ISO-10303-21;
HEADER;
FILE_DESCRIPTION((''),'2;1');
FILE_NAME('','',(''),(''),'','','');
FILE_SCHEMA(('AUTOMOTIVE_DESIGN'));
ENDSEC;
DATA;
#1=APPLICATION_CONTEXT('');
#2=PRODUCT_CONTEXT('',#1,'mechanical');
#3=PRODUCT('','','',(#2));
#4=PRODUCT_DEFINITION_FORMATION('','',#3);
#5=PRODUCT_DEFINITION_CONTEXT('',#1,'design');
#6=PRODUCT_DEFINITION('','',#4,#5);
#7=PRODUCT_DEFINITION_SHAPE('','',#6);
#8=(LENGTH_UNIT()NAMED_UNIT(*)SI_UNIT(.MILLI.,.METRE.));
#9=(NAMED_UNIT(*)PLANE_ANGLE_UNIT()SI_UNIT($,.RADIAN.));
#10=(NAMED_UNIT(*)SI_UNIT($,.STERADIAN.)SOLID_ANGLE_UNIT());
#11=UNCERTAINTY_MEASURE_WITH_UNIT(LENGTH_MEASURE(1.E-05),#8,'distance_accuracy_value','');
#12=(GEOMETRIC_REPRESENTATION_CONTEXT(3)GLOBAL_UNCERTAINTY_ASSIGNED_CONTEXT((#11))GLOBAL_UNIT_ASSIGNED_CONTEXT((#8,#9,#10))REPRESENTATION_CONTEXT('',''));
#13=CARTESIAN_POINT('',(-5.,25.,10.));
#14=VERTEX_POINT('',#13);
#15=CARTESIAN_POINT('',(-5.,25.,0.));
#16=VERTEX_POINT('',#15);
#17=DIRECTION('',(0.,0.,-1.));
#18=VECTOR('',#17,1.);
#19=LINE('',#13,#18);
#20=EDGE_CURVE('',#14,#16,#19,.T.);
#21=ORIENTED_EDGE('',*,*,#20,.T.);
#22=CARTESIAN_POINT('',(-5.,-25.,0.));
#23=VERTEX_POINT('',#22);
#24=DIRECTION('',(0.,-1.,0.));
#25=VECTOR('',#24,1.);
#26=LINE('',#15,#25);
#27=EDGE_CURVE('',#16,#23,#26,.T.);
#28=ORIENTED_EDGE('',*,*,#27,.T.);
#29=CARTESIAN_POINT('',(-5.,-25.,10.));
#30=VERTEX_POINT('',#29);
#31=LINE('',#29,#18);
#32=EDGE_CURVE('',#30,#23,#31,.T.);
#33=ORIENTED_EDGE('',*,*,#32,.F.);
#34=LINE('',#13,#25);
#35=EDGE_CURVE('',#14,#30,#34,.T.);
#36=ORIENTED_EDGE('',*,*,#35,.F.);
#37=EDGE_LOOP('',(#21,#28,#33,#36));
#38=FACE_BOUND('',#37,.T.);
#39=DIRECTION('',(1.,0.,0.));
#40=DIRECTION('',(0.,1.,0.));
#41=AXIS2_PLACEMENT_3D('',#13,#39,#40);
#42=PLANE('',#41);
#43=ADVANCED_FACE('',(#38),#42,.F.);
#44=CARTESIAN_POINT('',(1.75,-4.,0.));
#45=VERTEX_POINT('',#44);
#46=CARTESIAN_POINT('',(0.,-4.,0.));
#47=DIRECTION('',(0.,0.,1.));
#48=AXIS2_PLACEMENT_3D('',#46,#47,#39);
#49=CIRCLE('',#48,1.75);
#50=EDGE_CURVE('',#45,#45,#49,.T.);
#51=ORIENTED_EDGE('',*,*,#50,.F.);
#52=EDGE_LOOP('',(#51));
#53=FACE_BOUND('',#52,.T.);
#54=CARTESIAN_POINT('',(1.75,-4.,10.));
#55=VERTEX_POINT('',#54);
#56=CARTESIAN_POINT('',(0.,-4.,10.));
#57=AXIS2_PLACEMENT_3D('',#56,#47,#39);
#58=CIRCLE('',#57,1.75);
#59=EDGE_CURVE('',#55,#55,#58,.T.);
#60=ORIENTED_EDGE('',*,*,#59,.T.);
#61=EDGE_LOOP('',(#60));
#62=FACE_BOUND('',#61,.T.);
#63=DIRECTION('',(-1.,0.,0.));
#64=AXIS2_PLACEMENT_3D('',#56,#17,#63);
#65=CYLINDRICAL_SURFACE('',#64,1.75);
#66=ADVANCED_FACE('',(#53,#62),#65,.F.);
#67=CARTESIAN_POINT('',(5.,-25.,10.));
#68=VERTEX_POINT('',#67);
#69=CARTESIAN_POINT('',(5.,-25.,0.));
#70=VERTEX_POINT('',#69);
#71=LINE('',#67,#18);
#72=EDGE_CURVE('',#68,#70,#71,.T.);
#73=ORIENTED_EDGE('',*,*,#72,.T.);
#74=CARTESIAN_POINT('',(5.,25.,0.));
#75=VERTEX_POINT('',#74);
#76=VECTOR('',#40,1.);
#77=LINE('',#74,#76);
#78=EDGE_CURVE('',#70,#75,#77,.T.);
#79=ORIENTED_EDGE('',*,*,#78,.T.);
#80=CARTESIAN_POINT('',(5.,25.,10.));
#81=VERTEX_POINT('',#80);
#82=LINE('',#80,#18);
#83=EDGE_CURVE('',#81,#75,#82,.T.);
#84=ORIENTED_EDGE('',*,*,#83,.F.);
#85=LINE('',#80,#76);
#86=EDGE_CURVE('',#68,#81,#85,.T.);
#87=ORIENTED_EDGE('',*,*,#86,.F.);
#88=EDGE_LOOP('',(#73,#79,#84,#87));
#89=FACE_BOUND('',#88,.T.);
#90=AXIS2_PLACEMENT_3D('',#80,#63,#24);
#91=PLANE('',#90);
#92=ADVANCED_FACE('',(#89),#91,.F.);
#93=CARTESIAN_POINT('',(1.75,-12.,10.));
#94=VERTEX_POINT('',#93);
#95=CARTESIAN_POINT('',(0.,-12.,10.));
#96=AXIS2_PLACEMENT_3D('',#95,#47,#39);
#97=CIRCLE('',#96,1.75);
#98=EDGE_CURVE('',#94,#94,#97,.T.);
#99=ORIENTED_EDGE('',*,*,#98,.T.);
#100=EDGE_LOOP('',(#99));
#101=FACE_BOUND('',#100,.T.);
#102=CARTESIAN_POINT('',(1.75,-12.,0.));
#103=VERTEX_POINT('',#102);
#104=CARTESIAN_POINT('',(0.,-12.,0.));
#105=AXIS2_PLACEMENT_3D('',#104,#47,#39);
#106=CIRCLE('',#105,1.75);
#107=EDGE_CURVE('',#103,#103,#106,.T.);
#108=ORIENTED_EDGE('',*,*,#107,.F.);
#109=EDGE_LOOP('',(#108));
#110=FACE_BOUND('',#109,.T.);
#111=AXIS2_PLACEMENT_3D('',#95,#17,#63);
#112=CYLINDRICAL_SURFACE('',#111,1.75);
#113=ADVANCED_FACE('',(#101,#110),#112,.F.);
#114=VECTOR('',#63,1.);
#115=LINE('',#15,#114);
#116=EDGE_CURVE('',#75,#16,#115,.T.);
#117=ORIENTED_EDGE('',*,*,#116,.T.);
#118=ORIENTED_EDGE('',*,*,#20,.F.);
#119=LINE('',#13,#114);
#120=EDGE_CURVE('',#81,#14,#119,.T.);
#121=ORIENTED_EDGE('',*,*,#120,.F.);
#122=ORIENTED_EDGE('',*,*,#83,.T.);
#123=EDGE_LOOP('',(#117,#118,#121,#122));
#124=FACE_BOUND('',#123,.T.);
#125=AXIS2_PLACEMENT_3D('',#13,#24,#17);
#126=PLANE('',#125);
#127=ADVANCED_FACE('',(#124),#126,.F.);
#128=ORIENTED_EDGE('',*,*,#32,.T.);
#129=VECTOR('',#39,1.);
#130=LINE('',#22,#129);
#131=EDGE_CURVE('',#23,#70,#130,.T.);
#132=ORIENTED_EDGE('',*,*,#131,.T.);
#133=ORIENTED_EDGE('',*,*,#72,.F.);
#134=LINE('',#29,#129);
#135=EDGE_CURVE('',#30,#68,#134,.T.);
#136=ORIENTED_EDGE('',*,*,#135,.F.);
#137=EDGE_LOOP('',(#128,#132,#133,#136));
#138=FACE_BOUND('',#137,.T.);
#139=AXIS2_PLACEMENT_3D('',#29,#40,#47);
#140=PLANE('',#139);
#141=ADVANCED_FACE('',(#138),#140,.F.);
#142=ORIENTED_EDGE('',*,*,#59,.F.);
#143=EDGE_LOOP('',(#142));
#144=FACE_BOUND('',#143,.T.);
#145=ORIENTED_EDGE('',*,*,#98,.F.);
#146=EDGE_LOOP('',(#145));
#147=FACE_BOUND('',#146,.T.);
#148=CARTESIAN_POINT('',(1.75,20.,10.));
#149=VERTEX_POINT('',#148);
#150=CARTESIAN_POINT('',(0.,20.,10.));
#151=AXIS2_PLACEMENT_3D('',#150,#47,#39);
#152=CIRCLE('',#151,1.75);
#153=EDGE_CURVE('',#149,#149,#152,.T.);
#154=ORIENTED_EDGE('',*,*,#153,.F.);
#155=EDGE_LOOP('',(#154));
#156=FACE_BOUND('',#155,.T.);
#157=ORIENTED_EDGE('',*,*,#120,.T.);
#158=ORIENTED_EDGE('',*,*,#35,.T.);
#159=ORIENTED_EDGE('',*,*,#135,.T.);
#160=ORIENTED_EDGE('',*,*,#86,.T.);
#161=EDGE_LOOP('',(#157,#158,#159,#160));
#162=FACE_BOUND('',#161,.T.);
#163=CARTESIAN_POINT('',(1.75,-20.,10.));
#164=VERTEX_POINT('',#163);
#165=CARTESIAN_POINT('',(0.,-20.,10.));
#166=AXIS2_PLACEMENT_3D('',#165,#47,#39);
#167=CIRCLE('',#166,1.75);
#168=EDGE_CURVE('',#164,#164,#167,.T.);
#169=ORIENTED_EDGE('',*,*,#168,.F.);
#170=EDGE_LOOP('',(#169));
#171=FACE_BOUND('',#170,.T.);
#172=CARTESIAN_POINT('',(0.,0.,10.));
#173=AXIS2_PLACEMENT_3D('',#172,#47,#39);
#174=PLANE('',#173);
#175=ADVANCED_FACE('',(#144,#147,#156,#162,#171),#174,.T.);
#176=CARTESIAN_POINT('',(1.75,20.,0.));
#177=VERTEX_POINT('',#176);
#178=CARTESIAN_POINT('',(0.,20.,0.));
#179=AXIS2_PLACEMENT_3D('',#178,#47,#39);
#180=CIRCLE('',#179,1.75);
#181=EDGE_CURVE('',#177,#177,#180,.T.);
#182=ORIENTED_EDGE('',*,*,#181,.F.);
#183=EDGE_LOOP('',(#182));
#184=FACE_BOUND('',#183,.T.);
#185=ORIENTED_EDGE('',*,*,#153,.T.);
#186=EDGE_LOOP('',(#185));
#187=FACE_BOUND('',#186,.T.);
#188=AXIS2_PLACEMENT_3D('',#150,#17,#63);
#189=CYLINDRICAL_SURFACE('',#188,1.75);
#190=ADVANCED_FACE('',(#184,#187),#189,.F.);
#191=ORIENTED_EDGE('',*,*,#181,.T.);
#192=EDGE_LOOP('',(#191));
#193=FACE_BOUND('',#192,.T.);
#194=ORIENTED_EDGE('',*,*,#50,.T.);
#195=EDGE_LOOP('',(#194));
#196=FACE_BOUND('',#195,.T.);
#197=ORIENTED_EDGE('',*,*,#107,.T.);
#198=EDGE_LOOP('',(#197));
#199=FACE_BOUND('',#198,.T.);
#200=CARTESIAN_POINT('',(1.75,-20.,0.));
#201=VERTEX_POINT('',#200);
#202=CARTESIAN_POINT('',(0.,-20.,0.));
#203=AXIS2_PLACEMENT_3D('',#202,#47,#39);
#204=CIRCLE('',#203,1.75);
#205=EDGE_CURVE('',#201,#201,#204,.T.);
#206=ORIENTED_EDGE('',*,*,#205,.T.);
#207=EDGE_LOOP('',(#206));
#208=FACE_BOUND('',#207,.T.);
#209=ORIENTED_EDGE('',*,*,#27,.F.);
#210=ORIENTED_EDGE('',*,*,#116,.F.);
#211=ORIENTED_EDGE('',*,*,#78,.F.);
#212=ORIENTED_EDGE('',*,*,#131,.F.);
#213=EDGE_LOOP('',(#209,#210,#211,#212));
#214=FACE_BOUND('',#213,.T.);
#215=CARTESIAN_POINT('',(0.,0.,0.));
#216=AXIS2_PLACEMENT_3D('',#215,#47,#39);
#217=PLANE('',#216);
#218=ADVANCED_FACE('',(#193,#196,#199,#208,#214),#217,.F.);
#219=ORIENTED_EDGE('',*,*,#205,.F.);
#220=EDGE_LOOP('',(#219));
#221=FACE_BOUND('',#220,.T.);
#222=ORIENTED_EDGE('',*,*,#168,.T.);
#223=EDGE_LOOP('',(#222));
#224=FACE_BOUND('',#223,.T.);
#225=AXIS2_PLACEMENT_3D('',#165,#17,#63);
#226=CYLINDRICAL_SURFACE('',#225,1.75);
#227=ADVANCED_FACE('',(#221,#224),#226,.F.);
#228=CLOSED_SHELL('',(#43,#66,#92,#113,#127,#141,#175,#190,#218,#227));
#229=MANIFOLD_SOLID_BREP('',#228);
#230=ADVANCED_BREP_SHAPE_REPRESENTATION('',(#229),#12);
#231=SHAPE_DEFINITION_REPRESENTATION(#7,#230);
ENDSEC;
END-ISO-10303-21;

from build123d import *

# Parameters (mm, degrees)
SKETCH_1_W      = 10
SKETCH_1_H      = 50
SKETCH_1_R      = 1.75
EXTRUDE_1_DEPTH = 10


with BuildPart() as part:
    # ｽｹｯﾁ1 → ﾎﾞｽ - 押し出し1 (new body)
    with BuildSketch(Plane.XY):
        Rectangle(SKETCH_1_W, SKETCH_1_H)
        with Locations((0, -20)):
            Circle(SKETCH_1_R, mode=Mode.SUBTRACT)
        with Locations((0, -12)):
            Circle(SKETCH_1_R, mode=Mode.SUBTRACT)
        with Locations((0, -4)):
            Circle(SKETCH_1_R, mode=Mode.SUBTRACT)
        with Locations((0, 20)):
            Circle(SKETCH_1_R, mode=Mode.SUBTRACT)
    extrude(amount=EXTRUDE_1_DEPTH)


solid = part.part
